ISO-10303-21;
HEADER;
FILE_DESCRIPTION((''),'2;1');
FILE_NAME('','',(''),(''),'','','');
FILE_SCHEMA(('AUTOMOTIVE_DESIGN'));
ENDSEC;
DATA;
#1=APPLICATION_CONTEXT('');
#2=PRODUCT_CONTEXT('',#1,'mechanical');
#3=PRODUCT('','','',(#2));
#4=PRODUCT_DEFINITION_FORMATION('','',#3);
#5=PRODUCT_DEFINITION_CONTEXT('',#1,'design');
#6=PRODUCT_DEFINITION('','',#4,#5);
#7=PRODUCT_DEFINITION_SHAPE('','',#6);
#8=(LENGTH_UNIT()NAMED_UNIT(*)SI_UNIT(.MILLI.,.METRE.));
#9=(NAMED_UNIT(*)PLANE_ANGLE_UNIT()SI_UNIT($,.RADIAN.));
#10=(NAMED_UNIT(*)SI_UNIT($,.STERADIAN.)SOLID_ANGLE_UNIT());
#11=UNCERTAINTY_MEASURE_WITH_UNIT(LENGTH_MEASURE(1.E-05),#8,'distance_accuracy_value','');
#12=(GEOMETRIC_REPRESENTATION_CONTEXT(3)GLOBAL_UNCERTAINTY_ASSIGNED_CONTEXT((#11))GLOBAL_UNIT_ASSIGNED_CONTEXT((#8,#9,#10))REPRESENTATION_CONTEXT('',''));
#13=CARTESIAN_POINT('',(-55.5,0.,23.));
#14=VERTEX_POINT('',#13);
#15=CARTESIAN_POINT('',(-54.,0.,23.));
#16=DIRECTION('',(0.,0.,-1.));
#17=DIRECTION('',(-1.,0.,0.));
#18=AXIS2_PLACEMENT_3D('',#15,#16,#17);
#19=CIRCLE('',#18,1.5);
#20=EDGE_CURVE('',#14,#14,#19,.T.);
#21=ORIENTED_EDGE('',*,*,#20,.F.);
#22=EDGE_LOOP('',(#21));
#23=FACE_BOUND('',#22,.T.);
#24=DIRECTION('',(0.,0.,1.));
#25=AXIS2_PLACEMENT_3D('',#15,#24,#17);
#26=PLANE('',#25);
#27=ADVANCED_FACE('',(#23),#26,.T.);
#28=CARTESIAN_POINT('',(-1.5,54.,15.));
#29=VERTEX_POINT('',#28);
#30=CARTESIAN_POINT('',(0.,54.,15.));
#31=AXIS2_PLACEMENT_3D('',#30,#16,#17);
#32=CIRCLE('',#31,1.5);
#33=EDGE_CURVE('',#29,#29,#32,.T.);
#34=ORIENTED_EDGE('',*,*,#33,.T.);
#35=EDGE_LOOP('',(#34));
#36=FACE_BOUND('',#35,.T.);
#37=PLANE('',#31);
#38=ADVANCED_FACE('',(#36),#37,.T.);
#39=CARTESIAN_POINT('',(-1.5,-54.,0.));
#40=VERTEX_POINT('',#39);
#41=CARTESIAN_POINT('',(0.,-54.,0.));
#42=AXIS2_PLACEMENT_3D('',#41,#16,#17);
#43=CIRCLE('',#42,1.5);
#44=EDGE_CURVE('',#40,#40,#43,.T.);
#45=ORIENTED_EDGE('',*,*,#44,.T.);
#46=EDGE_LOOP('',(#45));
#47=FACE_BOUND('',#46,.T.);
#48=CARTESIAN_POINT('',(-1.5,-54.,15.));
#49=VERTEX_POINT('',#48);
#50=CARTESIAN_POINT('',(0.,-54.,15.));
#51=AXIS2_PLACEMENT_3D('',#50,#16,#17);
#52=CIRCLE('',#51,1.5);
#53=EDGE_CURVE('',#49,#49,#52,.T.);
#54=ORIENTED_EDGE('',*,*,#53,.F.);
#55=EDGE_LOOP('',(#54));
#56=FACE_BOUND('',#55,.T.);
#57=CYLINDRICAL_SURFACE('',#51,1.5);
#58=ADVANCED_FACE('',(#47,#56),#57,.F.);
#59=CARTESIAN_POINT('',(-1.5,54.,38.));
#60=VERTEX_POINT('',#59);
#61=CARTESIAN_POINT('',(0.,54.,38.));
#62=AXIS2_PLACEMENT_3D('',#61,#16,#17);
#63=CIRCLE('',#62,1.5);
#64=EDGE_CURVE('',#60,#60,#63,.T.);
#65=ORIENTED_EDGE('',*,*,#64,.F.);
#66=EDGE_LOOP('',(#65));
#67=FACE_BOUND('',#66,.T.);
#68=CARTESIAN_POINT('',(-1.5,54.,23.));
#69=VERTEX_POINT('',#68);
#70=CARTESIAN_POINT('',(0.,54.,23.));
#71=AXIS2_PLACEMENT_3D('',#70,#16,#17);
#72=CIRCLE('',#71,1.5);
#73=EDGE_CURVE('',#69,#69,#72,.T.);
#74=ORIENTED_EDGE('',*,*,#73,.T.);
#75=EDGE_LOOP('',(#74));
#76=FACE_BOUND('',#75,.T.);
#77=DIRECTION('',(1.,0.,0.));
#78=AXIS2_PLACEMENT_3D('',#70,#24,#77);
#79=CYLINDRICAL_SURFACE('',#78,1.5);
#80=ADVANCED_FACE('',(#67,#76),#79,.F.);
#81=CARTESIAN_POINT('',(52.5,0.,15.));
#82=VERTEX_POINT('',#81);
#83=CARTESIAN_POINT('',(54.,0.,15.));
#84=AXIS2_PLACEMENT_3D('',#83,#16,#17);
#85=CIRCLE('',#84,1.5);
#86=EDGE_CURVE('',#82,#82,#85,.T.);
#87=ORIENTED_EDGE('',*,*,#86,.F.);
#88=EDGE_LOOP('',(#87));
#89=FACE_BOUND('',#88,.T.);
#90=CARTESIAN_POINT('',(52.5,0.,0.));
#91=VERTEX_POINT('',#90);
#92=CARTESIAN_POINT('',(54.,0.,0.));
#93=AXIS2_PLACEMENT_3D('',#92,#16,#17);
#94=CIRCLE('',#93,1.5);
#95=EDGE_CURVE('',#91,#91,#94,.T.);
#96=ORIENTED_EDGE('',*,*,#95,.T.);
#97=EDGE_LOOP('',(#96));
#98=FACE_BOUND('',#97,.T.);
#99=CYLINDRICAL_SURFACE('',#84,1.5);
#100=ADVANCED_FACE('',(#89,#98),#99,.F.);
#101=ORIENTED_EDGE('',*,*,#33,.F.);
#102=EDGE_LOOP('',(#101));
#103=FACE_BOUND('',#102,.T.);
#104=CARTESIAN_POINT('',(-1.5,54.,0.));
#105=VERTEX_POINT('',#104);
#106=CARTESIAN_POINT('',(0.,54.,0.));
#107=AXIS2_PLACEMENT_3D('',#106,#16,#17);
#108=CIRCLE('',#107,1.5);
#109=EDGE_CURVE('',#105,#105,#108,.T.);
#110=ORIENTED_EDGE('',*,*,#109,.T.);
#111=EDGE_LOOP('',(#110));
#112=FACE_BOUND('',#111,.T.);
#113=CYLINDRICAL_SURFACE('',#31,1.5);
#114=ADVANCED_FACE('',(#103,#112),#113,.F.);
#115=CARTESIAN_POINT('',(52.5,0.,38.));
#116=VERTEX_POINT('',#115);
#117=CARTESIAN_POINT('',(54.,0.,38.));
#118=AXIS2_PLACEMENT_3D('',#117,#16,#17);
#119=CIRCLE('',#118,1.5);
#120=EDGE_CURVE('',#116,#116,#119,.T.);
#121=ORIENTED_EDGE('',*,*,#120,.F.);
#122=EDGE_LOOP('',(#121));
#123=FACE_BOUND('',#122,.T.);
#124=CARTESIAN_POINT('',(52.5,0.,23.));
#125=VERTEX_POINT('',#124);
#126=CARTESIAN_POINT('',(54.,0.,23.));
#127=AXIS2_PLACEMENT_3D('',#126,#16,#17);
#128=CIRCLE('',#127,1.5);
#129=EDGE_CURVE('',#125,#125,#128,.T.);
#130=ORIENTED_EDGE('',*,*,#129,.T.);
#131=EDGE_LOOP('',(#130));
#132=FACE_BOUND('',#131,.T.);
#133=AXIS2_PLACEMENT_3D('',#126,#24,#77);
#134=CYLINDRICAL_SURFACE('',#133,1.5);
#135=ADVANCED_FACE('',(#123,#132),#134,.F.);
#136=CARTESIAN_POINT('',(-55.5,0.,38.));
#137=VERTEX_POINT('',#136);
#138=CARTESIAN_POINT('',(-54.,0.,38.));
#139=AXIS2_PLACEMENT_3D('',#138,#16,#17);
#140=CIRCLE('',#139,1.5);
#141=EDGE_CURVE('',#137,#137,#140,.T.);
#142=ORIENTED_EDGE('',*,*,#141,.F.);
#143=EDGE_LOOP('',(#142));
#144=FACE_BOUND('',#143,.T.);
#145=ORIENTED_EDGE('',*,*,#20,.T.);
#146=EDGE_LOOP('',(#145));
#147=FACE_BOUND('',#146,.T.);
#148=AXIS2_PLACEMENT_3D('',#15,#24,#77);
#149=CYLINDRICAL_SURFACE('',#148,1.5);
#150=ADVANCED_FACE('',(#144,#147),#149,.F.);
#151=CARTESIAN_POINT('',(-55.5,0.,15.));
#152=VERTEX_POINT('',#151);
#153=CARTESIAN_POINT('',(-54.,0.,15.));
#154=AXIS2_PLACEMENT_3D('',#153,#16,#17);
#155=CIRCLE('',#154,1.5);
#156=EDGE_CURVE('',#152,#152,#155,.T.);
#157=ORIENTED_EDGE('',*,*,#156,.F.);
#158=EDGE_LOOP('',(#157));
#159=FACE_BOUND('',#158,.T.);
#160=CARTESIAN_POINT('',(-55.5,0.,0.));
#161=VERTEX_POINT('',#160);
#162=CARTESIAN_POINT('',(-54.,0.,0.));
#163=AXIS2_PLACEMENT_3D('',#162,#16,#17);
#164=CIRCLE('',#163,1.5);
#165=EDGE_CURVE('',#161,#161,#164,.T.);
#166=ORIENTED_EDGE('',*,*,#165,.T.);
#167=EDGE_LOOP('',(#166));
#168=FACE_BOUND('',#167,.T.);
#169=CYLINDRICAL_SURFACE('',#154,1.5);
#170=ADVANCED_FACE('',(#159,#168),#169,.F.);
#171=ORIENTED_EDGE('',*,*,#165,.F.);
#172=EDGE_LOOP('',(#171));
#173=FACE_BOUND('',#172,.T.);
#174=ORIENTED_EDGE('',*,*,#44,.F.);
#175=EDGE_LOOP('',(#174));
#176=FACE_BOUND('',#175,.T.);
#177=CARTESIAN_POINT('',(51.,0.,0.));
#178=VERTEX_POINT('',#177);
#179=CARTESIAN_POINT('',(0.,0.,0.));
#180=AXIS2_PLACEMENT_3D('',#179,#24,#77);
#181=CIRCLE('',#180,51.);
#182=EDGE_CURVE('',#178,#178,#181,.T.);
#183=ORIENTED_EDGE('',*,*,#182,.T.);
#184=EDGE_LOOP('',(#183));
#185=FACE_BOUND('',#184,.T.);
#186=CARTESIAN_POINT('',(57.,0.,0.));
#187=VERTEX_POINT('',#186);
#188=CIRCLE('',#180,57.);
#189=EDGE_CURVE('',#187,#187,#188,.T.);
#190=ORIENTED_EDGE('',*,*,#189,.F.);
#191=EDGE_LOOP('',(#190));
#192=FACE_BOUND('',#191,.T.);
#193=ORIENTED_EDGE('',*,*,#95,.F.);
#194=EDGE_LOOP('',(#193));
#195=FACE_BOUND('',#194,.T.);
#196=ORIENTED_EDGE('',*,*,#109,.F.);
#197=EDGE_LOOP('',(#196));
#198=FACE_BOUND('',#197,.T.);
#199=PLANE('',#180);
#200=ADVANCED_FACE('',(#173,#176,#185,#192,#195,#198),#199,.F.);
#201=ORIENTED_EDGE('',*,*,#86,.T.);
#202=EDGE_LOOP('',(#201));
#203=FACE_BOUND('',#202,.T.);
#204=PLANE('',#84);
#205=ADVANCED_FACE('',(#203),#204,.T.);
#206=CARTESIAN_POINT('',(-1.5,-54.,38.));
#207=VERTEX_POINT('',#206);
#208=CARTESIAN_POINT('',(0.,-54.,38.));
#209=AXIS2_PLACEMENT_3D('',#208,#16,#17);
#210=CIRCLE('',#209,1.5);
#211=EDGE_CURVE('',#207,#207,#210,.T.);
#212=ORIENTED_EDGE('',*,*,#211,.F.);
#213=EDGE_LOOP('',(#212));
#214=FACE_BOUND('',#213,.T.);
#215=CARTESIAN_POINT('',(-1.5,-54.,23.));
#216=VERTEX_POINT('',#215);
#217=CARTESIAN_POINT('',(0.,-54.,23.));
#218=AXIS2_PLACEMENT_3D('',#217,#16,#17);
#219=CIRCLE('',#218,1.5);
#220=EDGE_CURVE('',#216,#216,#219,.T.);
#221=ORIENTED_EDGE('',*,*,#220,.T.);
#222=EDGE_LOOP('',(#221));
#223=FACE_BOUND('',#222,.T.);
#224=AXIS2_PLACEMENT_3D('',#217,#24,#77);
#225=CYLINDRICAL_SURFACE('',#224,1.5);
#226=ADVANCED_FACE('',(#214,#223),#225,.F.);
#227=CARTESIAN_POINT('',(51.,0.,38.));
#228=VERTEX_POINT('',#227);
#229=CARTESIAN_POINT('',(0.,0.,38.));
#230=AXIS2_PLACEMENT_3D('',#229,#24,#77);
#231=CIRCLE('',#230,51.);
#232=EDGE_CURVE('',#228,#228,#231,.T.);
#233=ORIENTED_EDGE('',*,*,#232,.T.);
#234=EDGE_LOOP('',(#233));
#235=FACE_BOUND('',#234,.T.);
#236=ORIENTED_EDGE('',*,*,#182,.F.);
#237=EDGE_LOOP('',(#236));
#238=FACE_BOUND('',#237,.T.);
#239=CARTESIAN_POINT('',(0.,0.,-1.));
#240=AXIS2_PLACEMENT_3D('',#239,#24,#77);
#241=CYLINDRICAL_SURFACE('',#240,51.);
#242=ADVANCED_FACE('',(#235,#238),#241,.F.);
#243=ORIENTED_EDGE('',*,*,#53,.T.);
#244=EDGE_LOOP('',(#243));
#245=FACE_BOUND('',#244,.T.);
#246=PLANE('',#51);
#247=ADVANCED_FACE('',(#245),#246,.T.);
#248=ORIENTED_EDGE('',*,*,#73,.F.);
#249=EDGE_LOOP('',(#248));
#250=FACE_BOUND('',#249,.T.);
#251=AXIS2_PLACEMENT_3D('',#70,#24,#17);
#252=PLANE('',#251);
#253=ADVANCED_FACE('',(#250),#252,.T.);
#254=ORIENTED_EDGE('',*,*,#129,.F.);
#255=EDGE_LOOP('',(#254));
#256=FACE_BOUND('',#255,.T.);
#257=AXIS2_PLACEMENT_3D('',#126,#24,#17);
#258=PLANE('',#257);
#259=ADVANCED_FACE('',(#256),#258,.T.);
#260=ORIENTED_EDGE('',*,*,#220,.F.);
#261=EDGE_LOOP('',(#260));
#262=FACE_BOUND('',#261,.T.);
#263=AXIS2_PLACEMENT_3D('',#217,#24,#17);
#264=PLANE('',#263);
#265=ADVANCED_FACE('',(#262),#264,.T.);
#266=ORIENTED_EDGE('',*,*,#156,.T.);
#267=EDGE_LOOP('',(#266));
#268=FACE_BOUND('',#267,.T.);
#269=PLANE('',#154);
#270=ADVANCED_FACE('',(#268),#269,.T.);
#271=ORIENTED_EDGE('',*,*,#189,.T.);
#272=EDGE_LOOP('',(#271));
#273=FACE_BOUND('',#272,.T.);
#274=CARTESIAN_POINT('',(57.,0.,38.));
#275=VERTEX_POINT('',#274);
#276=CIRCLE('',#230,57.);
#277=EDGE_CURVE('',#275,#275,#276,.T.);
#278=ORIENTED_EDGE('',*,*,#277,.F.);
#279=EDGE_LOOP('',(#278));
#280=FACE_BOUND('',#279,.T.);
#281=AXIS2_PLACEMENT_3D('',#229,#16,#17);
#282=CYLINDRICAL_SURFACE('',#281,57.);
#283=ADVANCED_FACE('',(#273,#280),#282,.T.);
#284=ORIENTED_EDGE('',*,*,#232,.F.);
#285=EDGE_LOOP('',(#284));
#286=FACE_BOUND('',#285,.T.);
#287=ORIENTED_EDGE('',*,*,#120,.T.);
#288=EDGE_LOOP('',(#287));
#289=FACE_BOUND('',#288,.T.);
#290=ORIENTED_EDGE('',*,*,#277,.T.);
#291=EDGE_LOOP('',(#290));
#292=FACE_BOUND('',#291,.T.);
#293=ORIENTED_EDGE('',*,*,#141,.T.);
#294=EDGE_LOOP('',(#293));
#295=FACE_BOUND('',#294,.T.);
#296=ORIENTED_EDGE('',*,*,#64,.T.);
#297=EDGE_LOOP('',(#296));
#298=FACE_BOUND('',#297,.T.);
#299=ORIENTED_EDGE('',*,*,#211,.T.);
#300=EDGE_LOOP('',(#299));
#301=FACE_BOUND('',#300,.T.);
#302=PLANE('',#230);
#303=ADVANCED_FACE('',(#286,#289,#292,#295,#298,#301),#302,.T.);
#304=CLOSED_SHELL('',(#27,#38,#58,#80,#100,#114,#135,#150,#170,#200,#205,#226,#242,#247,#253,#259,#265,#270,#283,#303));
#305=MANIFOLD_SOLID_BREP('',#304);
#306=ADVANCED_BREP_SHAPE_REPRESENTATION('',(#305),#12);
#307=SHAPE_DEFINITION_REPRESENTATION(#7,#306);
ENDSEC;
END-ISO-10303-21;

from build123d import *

# Parameters (mm, degrees)
SKETCH1_R           = 57
BOSS_EXTRUDE1_DEPTH = 38
SKETCH2_R           = 51
CUT_EXTRUDE1_DEPTH  = 39
SKETCH4_R           = 1.5
CUT_EXTRUDE3_DEPTH  = 15


with BuildPart() as part:
    # Sketch1 → Boss-Extrude1 (new body)
    with BuildSketch(Plane.XY):
        Circle(SKETCH1_R)
    extrude(amount=BOSS_EXTRUDE1_DEPTH)

    # Sketch2 → Cut-Extrude1 (cut)
    with BuildSketch(Plane.XY.offset(38)):
        Circle(SKETCH2_R)
    extrude(amount=-CUT_EXTRUDE1_DEPTH, mode=Mode.SUBTRACT)

    # Sketch4 → Cut-Extrude3 (cut)
    with BuildSketch(Plane(origin=(0, 0, 0), x_dir=(-1, 0, 0), z_dir=(0, 0, -1))):
        with Locations((0, 54)):
            Circle(SKETCH4_R)
        with Locations((54, 0)):
            Circle(SKETCH4_R)
        with Locations((0, -54)):
            Circle(SKETCH4_R)
        with Locations((-54, 0)):
            Circle(SKETCH4_R)
    cut_extrude3 = extrude(amount=-CUT_EXTRUDE3_DEPTH, mode=Mode.SUBTRACT)

    # Mirror1: Cut-Extrude3 across plane
    add(cut_extrude3.mirror(Plane.XY.offset(19)), mode=Mode.SUBTRACT)


solid = part.part
